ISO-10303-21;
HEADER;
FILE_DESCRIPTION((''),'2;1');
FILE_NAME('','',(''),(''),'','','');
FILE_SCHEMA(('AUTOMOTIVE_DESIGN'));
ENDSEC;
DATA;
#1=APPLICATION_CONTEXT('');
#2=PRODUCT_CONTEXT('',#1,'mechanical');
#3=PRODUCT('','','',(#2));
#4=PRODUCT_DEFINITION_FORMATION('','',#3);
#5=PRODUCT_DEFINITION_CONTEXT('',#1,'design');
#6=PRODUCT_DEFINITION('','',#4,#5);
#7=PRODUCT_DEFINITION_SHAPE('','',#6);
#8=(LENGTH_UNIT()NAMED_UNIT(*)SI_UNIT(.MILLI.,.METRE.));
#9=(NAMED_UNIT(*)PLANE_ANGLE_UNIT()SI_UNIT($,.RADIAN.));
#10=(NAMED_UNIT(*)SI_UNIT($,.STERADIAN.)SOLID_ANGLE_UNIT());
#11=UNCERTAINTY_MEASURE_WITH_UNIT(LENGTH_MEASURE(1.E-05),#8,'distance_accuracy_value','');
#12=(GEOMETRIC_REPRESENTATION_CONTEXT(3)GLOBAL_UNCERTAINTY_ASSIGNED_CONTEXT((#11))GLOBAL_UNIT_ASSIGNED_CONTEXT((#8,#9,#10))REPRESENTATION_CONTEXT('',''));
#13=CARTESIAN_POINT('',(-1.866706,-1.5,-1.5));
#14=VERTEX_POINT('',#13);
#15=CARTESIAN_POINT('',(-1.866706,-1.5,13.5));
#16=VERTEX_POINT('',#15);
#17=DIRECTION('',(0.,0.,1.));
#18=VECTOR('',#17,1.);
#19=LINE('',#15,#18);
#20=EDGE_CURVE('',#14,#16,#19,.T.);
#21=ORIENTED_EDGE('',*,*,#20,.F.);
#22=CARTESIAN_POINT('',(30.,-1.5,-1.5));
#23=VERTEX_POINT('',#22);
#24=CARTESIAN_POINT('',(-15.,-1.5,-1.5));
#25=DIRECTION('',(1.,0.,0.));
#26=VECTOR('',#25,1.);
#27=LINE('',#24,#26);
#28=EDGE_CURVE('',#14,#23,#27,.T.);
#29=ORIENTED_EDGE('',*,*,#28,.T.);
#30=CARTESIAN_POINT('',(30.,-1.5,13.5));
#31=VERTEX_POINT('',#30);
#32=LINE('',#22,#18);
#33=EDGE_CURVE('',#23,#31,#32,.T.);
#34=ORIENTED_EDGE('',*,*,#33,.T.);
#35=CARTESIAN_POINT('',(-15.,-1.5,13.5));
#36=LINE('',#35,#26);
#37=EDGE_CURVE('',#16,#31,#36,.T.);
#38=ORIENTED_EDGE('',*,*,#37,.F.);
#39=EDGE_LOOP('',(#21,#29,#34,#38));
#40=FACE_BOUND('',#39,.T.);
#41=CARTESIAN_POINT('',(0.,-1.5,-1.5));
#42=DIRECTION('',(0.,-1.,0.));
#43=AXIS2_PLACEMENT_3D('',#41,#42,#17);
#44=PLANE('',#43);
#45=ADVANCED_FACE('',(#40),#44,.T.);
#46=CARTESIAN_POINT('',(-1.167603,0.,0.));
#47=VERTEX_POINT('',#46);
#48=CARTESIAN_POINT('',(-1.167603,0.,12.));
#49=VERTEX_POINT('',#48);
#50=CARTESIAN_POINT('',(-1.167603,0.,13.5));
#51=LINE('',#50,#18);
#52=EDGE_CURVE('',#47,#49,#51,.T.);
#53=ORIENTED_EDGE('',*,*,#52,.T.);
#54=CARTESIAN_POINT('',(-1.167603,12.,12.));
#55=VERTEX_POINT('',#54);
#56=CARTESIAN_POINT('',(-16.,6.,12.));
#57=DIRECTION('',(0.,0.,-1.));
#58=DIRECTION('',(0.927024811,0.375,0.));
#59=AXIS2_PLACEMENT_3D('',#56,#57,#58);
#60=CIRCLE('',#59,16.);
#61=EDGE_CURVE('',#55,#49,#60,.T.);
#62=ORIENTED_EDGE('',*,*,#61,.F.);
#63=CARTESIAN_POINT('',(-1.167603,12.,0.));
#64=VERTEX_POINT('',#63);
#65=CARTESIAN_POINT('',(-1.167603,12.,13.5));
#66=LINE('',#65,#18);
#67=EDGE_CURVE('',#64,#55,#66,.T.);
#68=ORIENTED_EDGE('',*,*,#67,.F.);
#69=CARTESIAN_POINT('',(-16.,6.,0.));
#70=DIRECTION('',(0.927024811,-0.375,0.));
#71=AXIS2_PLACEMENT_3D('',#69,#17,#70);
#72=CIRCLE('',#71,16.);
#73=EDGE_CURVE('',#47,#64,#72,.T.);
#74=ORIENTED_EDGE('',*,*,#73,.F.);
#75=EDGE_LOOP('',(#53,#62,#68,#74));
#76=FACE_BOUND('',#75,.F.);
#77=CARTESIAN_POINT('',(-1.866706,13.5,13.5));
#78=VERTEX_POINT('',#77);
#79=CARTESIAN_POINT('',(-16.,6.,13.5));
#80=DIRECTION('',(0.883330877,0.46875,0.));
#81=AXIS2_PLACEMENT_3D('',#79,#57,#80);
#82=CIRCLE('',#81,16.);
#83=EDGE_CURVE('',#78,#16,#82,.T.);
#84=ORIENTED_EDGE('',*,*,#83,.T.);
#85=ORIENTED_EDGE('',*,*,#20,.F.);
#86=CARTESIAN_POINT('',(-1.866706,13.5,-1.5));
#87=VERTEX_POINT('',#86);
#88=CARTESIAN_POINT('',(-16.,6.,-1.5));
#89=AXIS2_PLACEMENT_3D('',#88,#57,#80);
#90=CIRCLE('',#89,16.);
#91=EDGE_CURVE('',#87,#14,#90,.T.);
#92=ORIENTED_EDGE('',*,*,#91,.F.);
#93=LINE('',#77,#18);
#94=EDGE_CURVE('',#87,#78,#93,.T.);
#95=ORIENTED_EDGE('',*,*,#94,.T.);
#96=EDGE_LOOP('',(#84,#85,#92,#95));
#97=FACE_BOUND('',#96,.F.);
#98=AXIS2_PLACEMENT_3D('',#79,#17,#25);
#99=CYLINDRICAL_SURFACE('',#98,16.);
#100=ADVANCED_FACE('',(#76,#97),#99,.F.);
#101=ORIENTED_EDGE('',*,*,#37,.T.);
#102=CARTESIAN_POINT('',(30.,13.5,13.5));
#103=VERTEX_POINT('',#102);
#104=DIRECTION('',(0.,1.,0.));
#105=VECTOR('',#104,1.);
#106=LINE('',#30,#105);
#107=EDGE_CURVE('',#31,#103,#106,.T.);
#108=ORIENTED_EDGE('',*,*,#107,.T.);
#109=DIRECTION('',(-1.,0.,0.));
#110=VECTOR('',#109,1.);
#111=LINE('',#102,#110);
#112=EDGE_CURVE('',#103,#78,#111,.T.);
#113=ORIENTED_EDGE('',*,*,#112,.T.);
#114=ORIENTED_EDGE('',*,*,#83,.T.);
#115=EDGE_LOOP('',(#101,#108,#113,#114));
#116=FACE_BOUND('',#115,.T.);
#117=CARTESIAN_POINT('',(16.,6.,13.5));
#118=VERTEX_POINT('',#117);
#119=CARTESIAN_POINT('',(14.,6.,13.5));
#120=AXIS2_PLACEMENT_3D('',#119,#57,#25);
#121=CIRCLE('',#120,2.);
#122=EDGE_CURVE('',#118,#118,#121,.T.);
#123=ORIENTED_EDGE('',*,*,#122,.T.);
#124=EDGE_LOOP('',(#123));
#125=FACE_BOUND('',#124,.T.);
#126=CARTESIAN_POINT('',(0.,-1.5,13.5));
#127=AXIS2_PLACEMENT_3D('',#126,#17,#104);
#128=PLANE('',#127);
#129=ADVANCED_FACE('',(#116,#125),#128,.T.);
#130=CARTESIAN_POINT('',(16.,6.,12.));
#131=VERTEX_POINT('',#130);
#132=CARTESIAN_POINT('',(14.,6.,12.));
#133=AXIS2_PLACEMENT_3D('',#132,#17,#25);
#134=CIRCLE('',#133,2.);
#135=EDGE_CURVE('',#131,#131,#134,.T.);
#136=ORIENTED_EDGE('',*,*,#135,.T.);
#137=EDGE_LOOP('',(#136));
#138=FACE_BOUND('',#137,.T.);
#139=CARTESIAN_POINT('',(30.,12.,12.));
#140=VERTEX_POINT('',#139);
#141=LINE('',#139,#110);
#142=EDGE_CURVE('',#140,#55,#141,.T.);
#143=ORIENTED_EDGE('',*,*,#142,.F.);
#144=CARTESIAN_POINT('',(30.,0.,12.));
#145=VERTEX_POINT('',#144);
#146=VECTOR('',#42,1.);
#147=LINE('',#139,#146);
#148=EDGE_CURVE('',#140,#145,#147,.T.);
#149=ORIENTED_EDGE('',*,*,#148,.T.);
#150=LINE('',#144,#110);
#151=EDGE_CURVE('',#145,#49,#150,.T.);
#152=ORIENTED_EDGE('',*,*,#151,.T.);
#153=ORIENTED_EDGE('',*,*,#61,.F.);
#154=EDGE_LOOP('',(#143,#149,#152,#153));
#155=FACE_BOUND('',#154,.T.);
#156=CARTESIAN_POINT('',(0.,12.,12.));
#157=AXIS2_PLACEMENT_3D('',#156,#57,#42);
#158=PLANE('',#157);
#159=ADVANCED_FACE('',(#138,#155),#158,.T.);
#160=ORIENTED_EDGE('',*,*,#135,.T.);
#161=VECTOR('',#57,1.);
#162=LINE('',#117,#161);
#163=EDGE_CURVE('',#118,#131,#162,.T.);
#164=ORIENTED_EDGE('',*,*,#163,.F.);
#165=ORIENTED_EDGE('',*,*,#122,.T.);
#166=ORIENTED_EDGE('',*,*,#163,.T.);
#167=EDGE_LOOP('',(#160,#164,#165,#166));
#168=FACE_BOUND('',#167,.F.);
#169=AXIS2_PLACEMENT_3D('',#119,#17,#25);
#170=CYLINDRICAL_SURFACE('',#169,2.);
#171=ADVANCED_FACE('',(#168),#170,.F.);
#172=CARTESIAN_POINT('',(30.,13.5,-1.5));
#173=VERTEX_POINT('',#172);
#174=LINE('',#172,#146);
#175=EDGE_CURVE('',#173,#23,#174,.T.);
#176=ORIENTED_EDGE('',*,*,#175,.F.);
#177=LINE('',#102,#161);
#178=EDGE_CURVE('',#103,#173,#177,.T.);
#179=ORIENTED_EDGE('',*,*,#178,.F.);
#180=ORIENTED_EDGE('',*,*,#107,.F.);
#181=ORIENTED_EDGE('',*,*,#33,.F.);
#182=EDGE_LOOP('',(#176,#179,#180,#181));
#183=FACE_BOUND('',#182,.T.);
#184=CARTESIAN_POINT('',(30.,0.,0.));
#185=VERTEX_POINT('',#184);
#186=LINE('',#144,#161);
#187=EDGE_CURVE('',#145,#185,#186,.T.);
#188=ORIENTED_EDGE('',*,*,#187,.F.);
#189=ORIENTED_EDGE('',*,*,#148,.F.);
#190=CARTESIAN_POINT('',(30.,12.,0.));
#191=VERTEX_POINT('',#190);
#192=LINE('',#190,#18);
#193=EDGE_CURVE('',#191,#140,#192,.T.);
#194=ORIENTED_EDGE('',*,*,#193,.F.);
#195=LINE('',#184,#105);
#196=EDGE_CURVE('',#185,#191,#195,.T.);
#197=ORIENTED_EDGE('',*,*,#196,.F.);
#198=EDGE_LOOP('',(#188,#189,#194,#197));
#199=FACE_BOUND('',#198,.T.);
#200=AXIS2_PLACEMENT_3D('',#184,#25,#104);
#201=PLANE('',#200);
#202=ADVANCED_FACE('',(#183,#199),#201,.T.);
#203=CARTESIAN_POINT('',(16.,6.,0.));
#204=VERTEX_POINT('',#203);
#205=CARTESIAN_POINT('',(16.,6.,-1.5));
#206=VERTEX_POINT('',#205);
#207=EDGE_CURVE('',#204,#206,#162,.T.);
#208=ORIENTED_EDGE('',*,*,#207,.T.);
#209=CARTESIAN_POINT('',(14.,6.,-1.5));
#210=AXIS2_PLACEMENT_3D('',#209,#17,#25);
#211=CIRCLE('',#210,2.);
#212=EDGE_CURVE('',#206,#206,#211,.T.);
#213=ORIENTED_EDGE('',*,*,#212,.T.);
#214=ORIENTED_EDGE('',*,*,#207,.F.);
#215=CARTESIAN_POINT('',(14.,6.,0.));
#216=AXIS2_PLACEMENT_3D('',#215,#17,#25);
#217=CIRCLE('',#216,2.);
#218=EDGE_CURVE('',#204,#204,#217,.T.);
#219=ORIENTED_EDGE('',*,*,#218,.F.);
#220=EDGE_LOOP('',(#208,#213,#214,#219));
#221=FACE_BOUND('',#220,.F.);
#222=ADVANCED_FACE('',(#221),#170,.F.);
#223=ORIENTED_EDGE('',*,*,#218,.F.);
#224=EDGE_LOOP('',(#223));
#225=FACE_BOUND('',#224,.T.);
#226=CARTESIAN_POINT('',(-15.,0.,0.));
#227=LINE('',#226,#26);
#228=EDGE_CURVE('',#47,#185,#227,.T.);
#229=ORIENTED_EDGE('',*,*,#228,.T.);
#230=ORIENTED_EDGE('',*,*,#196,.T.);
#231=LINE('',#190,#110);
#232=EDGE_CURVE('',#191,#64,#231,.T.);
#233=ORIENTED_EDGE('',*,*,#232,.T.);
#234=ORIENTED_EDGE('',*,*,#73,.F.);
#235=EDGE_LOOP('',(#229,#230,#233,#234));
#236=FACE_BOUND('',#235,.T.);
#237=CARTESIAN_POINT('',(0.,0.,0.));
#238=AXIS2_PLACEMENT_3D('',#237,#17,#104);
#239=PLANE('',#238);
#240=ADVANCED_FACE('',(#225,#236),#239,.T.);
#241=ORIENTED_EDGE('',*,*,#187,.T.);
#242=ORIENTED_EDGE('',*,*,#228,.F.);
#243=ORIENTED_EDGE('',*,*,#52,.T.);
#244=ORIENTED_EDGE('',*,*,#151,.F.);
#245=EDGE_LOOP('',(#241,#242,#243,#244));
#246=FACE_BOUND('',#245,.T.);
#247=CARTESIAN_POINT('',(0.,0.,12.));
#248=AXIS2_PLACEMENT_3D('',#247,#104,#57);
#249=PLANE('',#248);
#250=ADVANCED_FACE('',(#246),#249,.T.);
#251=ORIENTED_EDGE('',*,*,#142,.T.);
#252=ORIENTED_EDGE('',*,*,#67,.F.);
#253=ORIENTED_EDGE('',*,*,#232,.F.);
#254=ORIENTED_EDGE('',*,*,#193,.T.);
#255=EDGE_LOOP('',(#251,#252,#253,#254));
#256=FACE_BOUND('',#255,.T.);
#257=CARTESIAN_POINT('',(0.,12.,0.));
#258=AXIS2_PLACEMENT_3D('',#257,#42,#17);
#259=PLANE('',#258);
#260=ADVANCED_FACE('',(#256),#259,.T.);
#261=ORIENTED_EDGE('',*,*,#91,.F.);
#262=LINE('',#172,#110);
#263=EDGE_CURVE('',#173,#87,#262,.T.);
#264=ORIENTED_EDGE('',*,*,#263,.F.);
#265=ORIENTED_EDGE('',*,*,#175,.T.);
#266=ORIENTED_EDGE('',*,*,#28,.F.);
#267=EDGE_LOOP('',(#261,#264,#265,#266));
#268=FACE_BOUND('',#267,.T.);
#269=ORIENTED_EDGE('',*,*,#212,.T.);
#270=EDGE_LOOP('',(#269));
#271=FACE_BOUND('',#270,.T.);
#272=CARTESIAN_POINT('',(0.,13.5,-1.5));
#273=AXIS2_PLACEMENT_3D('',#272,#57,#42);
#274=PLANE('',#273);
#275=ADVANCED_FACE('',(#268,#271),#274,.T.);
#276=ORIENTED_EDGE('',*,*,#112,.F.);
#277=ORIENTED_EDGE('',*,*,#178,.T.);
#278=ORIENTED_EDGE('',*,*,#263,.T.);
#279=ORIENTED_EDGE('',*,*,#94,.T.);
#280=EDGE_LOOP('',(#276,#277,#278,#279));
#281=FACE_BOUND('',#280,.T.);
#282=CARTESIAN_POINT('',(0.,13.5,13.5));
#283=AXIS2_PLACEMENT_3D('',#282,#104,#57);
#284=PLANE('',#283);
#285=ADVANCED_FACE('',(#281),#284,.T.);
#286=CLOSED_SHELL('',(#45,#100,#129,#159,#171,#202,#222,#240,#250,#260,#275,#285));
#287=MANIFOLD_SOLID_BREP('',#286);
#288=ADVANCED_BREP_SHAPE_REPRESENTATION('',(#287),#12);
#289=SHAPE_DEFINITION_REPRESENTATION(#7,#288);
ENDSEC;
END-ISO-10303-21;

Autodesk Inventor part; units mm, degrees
ref_plane "YZ Plane" through (0, 0, 0) normal (1, 0, 0) x (0, 1, 0)
ref_plane "XZ Plane" through (0, 0, 0) normal (0, 1, 0) x (-1, 0, 0)
ref_plane "XY Plane" through (0, 0, 0) normal (0, 0, 1) x (1, 0, 0)
sketch "Sketch1" plane through (0, 0, 0) normal (1, 0, 0) x (0, 1, 0)
  line L0 (0, 0) -> (12, 0)
  line L1 (12, 0) -> (12, 12)
  line L2 (12, 12) -> (0, 12)
  line L3 (0, 12) -> (0, 0)
  line L4 (-1.5, 13.5) -> (13.5, 13.5)
  line L5 (13.5, 13.5) -> (13.5, -1.5)
  line L6 (13.5, -1.5) -> (-1.5, -1.5)
  line L7 (-1.5, -1.5) -> (-1.5, 13.5)
  dimension "d0" = 1.5
  dimension "d1" = 12
  dimension "d2" = 12
extrude "Extrusion1" add sketch "Sketch1" along normal blind 30 and the other way blind 15
sketch "Sketch2" plane through (0, -1.5, 13.5) normal (0, 0, 1) x (1, 0, 0)
  line L0 (0, 0) -> (0, 15) projected
  line L1 (0, 0) -> (30, 0) projected
  circle A0 centre (-16, 7.5) radius 16
  circle A1 centre (-16, 7.5) radius 30
  circle A2 centre (14, 7.5) radius 2
  point P0 (0, 1.5)
  dimension "d17" = 60
  dimension "d8" = 32
  dimension "d9" = 16
  dimension "d18" = 4
sketch "Sketch4" plane through (0, 0, 0) normal (-1, 0, 0) x (0, 0, 1)
  line L0 (0, 0) -> (12, 0)
  line L1 (12, 0) -> (12, 12)
  line L2 (12, 12) -> (0, 12)
  line L3 (0, 12) -> (0, 0)
  line L4 (-1.5, -1.5) -> (13.5, -1.5)
  line L5 (13.5, -1.5) -> (13.5, 13.5)
  line L6 (13.5, 13.5) -> (-1.5, 13.5)
  line L7 (-1.5, 13.5) -> (-1.5, -1.5)
extrude "Extrusion2" add sketch "Sketch4" along normal blind 10
extrude "Extrusion3" cut sketch "Sketch2" against normal through all contours A0
extrude "Extrusion4" cut sketch "Sketch2" along normal through all both and the other way through all contours A2 A1 | A1 A2 picked at (14.5954, 6.9828) picked at (13.3724, 7.0462)
equation "\"d0\" = ZártSzelvényFalVastagság"
equation "\"d1\" = ZártSzelvényBelsőÁtmérő"
equation "\"d2\" = ZártSzelvényBelsőÁtmérő"
equation "\"d17\" = 2 * PorvedoRogzitesJatekSugara"
equation "\"d8\" = CsapágyHázKülsőÁtmérő"
equation "\"d9\" = 0.5 * CsapágyHázKülsőÁtmérő"
equation "\"ZártSzelvényFalVastagság\" = 1.5"
equation "\"ZártSzelvényBelsőÁtmérő\" = 12"
equation "\"CsapágyHázKülsőÁtmérő\" = 32"
equation "\"ZártSzelvényKülsőÁtmérő\" = 15"
equation "\"CsapágyBelsőÁtmérő\" = 12"
equation "\"CsapágyKülsőÁtmérő\" = 28"
equation "\"CsapágyHázBelsőÁtmérő\" = 26"
equation "\"CsapágyHázHoszza\" = 45"
equation "\"CsapágySzélesége\" = 8"
equation "\"PorvedoRogzitesJatekSugara\" = 30"
properties part number "KétvégenMartSzelvény" material "Acetal Resin, Black"
